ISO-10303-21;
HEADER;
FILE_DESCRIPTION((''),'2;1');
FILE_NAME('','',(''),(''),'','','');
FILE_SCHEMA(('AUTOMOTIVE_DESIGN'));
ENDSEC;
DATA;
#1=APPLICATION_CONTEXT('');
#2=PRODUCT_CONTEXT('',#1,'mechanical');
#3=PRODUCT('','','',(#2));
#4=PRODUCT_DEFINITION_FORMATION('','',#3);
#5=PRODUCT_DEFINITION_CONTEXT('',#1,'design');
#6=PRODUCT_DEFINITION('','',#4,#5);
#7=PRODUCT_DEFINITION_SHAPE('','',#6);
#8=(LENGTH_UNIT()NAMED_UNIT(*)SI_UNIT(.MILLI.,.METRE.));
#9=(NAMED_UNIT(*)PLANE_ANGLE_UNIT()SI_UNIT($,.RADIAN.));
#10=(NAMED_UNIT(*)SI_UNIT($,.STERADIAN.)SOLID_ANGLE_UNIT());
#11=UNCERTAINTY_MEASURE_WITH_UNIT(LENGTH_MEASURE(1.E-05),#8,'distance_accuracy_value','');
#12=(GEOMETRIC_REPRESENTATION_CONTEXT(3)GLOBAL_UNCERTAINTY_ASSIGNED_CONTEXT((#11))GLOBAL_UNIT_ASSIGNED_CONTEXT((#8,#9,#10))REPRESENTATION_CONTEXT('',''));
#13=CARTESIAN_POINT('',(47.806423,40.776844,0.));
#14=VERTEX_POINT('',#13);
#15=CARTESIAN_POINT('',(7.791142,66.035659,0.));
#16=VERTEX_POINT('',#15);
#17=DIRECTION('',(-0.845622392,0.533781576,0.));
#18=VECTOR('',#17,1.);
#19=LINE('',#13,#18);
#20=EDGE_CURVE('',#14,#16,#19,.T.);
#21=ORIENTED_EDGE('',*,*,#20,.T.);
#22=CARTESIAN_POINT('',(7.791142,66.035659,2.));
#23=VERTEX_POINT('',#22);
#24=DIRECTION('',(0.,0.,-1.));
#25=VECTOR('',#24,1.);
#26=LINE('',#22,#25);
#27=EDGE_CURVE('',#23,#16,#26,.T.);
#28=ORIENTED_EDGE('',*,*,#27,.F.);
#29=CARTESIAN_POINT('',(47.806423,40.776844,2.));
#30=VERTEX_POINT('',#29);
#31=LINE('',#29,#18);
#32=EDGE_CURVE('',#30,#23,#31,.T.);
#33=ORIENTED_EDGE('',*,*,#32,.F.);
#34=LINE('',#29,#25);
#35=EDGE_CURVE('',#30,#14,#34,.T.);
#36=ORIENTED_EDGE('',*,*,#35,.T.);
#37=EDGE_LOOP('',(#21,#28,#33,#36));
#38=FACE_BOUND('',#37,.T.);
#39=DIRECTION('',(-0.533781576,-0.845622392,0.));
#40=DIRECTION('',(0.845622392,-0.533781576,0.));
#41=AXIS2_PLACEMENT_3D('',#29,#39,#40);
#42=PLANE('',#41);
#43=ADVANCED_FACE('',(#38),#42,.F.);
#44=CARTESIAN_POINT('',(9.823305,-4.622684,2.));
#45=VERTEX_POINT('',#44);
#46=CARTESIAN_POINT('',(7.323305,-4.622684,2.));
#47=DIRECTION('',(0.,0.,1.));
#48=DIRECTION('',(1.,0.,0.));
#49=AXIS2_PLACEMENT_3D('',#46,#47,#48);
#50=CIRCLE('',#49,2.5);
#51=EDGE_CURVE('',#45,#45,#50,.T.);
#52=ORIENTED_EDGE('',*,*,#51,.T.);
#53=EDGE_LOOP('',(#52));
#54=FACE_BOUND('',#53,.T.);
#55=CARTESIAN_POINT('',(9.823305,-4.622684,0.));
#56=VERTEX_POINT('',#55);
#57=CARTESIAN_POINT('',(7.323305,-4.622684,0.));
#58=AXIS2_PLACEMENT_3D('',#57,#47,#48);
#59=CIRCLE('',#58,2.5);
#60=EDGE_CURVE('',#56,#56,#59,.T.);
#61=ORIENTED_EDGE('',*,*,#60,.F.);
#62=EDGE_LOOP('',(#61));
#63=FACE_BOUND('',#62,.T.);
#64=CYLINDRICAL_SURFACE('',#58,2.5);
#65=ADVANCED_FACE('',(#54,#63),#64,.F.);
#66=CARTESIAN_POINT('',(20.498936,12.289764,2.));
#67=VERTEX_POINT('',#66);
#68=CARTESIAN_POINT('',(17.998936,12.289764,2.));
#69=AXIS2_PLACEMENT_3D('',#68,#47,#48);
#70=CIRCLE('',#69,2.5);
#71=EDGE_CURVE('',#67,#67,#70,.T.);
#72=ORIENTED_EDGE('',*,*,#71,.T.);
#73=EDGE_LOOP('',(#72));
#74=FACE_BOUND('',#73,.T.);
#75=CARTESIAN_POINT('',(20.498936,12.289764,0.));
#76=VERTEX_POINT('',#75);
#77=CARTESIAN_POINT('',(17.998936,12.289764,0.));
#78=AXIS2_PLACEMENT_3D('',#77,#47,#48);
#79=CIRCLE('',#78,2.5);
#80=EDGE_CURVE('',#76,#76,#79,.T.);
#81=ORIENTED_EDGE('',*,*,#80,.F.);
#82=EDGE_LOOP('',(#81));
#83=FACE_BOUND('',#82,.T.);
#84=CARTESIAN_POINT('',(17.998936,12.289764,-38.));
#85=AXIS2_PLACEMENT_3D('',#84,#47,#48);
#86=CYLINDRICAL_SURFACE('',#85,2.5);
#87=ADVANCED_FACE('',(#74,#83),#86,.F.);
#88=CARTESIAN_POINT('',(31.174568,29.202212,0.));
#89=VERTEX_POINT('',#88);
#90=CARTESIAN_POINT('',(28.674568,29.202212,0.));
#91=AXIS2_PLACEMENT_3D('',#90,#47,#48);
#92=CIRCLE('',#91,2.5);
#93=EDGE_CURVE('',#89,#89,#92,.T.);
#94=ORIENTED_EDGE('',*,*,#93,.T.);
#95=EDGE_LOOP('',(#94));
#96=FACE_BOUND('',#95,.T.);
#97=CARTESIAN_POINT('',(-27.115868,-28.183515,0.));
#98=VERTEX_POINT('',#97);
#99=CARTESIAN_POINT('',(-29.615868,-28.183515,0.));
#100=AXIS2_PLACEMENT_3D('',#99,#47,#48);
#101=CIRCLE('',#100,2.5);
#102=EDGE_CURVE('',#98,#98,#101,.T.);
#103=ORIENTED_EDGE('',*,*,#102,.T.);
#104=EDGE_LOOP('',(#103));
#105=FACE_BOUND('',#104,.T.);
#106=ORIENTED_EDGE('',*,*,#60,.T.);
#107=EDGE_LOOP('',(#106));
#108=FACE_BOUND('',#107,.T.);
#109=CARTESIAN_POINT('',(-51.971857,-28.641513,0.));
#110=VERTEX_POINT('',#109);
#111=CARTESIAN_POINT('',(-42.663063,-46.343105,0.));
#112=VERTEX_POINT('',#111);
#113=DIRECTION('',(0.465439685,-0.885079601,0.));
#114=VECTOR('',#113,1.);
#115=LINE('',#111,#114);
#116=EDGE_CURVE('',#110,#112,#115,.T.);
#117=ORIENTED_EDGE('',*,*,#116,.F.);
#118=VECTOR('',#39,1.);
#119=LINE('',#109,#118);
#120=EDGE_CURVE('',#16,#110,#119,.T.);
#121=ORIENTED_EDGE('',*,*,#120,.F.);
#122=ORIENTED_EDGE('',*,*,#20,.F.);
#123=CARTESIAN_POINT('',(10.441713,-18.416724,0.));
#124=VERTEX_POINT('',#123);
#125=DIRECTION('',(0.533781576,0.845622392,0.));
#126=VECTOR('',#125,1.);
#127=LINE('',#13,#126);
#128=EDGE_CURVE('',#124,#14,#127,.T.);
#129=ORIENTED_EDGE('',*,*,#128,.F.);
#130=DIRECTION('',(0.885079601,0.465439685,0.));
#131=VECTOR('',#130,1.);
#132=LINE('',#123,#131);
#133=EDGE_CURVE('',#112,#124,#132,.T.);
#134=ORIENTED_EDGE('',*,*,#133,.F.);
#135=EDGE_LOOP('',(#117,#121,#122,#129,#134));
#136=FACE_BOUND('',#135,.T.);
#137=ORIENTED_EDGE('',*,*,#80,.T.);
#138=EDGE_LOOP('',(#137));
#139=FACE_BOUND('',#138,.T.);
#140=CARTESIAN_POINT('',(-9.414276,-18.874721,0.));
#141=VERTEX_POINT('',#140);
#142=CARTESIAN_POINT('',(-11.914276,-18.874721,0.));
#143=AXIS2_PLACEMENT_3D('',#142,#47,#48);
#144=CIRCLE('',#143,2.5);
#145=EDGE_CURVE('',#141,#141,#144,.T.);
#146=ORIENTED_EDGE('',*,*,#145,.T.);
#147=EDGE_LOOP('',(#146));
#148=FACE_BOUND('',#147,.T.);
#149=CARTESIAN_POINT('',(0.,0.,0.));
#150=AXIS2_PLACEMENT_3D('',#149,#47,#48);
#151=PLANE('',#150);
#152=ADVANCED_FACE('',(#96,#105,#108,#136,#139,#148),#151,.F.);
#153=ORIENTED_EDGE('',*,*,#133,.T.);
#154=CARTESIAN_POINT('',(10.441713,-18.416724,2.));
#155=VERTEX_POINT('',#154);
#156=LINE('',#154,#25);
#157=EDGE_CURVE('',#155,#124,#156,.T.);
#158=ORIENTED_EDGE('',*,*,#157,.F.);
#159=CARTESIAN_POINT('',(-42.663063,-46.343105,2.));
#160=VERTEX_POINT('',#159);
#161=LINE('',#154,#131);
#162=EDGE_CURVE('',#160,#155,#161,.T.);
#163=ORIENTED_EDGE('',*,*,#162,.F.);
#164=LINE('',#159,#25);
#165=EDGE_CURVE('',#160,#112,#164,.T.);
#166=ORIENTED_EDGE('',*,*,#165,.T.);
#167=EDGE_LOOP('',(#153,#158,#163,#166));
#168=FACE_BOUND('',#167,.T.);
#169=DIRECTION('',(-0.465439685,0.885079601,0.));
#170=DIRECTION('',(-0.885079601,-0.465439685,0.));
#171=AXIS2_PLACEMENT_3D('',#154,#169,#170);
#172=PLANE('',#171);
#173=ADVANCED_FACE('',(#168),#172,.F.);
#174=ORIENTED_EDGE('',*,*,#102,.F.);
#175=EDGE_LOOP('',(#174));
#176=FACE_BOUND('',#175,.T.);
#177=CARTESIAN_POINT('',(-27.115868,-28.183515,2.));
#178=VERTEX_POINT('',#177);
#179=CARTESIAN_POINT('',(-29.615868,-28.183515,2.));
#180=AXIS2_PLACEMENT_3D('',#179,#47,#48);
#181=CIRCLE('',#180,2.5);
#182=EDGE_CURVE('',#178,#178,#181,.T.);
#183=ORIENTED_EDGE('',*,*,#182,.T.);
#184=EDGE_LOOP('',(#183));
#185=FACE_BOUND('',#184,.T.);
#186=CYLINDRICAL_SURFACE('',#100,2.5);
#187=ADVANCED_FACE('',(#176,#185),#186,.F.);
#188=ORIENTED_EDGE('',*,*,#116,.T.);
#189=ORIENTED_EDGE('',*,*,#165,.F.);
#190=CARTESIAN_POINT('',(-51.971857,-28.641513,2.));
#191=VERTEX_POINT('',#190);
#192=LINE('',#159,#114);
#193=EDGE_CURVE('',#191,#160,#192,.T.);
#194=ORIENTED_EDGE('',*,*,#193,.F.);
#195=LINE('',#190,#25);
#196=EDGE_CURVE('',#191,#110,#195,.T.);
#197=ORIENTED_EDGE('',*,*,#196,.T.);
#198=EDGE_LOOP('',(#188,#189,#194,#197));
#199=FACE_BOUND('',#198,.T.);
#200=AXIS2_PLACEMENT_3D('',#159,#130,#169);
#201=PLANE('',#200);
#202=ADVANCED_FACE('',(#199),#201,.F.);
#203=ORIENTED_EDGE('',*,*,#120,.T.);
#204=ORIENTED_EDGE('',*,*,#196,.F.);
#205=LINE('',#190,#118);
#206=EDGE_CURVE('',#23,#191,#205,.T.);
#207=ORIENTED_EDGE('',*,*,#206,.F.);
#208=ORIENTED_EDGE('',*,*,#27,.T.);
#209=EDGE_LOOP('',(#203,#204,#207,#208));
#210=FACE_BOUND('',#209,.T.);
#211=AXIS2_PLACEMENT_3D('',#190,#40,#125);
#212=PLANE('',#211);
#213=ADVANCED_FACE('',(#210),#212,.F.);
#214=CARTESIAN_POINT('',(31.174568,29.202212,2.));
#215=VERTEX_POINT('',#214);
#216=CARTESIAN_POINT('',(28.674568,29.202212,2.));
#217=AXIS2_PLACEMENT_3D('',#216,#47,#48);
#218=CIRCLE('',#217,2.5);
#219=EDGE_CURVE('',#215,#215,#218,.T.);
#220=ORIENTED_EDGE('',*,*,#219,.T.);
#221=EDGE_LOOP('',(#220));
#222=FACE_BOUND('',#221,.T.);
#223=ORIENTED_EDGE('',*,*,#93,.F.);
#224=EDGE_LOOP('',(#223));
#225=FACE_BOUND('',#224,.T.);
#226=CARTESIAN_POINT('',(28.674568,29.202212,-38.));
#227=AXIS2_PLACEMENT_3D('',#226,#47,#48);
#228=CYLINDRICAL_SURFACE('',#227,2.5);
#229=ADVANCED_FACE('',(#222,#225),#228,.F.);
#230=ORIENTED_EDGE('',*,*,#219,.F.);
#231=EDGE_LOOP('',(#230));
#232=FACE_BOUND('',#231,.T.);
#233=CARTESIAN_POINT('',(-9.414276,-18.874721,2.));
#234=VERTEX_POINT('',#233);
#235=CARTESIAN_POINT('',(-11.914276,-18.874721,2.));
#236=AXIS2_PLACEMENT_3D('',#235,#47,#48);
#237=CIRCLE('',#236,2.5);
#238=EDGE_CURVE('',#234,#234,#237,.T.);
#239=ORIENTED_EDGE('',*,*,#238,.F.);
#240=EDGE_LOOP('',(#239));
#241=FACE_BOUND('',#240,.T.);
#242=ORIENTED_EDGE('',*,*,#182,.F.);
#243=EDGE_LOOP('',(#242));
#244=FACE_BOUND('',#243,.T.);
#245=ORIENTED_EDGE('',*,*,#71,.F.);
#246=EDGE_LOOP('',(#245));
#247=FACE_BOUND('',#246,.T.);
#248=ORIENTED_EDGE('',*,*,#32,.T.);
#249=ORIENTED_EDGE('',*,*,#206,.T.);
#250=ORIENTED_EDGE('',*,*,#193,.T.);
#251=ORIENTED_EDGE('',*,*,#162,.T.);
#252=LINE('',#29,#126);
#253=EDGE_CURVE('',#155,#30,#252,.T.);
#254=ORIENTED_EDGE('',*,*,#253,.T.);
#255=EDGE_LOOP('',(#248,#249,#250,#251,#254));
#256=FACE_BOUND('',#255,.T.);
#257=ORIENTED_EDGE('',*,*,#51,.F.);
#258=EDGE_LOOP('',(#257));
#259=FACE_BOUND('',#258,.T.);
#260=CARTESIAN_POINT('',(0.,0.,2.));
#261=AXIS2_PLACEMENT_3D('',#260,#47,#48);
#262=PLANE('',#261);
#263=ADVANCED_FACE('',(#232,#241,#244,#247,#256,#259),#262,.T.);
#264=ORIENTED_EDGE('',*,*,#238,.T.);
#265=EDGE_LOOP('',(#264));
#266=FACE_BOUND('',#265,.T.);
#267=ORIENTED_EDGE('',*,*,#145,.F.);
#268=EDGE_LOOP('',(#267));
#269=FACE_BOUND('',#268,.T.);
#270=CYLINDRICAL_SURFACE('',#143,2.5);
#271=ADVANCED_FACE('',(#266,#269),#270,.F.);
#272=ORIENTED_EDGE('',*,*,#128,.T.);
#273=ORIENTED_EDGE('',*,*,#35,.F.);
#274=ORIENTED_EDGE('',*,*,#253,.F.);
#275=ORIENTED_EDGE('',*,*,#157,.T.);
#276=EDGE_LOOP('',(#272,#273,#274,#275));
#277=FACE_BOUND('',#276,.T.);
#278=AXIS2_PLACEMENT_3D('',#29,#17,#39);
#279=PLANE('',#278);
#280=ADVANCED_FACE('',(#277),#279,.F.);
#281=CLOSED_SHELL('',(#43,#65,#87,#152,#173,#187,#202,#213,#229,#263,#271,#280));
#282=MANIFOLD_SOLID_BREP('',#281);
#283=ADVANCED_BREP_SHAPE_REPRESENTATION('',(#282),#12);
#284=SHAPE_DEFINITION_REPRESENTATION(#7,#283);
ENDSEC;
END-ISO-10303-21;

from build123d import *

# Parameters (mm, degrees)
BOSS_EXTRUDE1_DEPTH = 2
SKETCH5_R           = 2.5
CUT_EXTRUDE1_DEPTH  = 2
SKETCH6_R           = 2.5
CUT_EXTRUDE2_DEPTH  = 2
SKETCH7_R           = 2.5
CUT_EXTRUDE3_DEPTH  = 2
SKETCH8_R           = 2.5
CUT_EXTRUDE4_DEPTH  = 40
SKETCH9_R           = 2.5
CUT_EXTRUDE5_DEPTH  = 40


with BuildPart() as part:
    # Sketch2 → Boss-Extrude1 (new body)
    with BuildSketch(Plane.XY):
        Polygon((47.806423209, 40.776843682), (7.791142002, 66.035659063), (-51.971856858, -28.641512814), (-42.663063156, -46.343104828), (10.441712886, -18.416723725), align=None)
    extrude(amount=BOSS_EXTRUDE1_DEPTH)

    # Sketch5 → Cut-Extrude1 (cut)
    with BuildSketch(Plane.XY.offset(2)):
        with Locations((-11.914275979, -18.874721419)):
            Circle(SKETCH5_R)
    extrude(amount=-CUT_EXTRUDE1_DEPTH, mode=Mode.SUBTRACT)

    # Sketch6 → Cut-Extrude2 (cut)
    with BuildSketch(Plane.XY.offset(2)):
        with Locations((-29.615867993, -28.18351512)):
            Circle(SKETCH6_R)
    extrude(amount=-CUT_EXTRUDE2_DEPTH, mode=Mode.SUBTRACT)

    # Sketch7 → Cut-Extrude3 (cut)
    with BuildSketch(Plane.XY.offset(2)):
        with Locations((7.323304731, -4.622684049)):
            Circle(SKETCH7_R)
    extrude(amount=-CUT_EXTRUDE3_DEPTH, mode=Mode.SUBTRACT)

    # Sketch8 → Cut-Extrude4 (cut)
    with BuildSketch(Plane.XY.offset(2)):
        with Locations((17.998936252, 12.289763781)):
            Circle(SKETCH8_R)
    extrude(amount=-CUT_EXTRUDE4_DEPTH, mode=Mode.SUBTRACT)

    # Sketch9 → Cut-Extrude5 (cut)
    with BuildSketch(Plane.XY.offset(2)):
        with Locations((28.674567773, 29.202211612)):
            Circle(SKETCH9_R)
    extrude(amount=-CUT_EXTRUDE5_DEPTH, mode=Mode.SUBTRACT)


solid = part.part
